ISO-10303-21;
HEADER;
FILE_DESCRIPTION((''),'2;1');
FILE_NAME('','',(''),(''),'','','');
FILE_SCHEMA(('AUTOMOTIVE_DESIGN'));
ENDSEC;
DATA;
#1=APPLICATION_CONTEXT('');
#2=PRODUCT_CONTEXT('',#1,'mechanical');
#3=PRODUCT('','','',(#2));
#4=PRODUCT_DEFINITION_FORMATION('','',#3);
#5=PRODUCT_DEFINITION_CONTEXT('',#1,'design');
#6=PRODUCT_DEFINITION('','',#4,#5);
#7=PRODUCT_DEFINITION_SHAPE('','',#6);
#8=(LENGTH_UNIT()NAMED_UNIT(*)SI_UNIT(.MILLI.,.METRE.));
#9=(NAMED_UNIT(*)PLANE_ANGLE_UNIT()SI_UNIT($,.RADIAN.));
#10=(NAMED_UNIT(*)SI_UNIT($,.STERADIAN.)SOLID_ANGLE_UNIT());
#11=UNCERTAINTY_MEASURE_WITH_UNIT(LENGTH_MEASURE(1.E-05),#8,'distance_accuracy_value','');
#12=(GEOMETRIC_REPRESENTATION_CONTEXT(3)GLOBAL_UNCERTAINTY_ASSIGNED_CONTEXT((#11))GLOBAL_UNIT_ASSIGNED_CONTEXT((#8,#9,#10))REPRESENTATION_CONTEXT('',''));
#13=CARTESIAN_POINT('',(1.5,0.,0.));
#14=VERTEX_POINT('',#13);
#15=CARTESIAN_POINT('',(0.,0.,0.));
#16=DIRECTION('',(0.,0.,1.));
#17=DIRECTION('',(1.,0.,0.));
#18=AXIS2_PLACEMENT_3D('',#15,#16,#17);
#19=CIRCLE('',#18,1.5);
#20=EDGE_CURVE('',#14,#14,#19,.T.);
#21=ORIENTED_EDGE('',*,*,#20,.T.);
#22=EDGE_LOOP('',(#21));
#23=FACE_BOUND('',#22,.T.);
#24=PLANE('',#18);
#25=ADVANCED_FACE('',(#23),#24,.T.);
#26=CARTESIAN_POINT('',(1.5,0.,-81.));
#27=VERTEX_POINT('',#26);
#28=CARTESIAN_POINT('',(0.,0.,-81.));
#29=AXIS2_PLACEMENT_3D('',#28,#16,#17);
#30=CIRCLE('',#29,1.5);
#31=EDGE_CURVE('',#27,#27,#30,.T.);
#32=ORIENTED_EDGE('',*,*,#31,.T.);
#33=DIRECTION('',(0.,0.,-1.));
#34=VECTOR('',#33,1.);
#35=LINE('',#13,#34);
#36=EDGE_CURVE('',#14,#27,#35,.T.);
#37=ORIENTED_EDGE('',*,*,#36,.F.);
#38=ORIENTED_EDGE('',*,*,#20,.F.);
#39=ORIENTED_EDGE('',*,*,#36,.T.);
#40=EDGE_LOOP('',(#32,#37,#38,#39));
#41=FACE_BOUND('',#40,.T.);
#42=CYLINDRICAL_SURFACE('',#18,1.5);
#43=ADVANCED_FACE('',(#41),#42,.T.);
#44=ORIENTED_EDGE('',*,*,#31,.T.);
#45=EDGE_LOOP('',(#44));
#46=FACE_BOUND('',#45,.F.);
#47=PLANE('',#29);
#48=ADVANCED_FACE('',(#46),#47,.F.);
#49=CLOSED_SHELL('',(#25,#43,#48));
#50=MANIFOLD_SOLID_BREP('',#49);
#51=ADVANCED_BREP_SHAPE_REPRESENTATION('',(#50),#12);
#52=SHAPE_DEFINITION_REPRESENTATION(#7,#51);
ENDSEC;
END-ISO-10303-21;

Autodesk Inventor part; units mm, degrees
ref_plane "YZ Plane" through (0, 0, 0) normal (1, 0, 0) x (0, 1, 0)
ref_plane "XZ Plane" through (0, 0, 0) normal (0, 1, 0) x (-1, 0, 0)
ref_plane "XY Plane" through (0, 0, 0) normal (0, 0, 1) x (1, 0, 0)
sketch "Sketch1" plane through (0, 0, 0) normal (0, 0, 1) x (1, 0, 0)
  circle A0 centre (0, 0) radius 1.5
  dimension "d0" = 3
extrude "Extrusion1" add sketch "Sketch1" against normal blind 81
thread "Thread1" size "M3x0.5" class "6g" standard "ANSI Metric M Profile" length 4
thread "Thread2" size "M3x0.5" class "6g" standard "ANSI Metric M Profile" length 4
properties part number "30 - Eccentric Rod 1" material "Steel AISI 1020 107 HR"
